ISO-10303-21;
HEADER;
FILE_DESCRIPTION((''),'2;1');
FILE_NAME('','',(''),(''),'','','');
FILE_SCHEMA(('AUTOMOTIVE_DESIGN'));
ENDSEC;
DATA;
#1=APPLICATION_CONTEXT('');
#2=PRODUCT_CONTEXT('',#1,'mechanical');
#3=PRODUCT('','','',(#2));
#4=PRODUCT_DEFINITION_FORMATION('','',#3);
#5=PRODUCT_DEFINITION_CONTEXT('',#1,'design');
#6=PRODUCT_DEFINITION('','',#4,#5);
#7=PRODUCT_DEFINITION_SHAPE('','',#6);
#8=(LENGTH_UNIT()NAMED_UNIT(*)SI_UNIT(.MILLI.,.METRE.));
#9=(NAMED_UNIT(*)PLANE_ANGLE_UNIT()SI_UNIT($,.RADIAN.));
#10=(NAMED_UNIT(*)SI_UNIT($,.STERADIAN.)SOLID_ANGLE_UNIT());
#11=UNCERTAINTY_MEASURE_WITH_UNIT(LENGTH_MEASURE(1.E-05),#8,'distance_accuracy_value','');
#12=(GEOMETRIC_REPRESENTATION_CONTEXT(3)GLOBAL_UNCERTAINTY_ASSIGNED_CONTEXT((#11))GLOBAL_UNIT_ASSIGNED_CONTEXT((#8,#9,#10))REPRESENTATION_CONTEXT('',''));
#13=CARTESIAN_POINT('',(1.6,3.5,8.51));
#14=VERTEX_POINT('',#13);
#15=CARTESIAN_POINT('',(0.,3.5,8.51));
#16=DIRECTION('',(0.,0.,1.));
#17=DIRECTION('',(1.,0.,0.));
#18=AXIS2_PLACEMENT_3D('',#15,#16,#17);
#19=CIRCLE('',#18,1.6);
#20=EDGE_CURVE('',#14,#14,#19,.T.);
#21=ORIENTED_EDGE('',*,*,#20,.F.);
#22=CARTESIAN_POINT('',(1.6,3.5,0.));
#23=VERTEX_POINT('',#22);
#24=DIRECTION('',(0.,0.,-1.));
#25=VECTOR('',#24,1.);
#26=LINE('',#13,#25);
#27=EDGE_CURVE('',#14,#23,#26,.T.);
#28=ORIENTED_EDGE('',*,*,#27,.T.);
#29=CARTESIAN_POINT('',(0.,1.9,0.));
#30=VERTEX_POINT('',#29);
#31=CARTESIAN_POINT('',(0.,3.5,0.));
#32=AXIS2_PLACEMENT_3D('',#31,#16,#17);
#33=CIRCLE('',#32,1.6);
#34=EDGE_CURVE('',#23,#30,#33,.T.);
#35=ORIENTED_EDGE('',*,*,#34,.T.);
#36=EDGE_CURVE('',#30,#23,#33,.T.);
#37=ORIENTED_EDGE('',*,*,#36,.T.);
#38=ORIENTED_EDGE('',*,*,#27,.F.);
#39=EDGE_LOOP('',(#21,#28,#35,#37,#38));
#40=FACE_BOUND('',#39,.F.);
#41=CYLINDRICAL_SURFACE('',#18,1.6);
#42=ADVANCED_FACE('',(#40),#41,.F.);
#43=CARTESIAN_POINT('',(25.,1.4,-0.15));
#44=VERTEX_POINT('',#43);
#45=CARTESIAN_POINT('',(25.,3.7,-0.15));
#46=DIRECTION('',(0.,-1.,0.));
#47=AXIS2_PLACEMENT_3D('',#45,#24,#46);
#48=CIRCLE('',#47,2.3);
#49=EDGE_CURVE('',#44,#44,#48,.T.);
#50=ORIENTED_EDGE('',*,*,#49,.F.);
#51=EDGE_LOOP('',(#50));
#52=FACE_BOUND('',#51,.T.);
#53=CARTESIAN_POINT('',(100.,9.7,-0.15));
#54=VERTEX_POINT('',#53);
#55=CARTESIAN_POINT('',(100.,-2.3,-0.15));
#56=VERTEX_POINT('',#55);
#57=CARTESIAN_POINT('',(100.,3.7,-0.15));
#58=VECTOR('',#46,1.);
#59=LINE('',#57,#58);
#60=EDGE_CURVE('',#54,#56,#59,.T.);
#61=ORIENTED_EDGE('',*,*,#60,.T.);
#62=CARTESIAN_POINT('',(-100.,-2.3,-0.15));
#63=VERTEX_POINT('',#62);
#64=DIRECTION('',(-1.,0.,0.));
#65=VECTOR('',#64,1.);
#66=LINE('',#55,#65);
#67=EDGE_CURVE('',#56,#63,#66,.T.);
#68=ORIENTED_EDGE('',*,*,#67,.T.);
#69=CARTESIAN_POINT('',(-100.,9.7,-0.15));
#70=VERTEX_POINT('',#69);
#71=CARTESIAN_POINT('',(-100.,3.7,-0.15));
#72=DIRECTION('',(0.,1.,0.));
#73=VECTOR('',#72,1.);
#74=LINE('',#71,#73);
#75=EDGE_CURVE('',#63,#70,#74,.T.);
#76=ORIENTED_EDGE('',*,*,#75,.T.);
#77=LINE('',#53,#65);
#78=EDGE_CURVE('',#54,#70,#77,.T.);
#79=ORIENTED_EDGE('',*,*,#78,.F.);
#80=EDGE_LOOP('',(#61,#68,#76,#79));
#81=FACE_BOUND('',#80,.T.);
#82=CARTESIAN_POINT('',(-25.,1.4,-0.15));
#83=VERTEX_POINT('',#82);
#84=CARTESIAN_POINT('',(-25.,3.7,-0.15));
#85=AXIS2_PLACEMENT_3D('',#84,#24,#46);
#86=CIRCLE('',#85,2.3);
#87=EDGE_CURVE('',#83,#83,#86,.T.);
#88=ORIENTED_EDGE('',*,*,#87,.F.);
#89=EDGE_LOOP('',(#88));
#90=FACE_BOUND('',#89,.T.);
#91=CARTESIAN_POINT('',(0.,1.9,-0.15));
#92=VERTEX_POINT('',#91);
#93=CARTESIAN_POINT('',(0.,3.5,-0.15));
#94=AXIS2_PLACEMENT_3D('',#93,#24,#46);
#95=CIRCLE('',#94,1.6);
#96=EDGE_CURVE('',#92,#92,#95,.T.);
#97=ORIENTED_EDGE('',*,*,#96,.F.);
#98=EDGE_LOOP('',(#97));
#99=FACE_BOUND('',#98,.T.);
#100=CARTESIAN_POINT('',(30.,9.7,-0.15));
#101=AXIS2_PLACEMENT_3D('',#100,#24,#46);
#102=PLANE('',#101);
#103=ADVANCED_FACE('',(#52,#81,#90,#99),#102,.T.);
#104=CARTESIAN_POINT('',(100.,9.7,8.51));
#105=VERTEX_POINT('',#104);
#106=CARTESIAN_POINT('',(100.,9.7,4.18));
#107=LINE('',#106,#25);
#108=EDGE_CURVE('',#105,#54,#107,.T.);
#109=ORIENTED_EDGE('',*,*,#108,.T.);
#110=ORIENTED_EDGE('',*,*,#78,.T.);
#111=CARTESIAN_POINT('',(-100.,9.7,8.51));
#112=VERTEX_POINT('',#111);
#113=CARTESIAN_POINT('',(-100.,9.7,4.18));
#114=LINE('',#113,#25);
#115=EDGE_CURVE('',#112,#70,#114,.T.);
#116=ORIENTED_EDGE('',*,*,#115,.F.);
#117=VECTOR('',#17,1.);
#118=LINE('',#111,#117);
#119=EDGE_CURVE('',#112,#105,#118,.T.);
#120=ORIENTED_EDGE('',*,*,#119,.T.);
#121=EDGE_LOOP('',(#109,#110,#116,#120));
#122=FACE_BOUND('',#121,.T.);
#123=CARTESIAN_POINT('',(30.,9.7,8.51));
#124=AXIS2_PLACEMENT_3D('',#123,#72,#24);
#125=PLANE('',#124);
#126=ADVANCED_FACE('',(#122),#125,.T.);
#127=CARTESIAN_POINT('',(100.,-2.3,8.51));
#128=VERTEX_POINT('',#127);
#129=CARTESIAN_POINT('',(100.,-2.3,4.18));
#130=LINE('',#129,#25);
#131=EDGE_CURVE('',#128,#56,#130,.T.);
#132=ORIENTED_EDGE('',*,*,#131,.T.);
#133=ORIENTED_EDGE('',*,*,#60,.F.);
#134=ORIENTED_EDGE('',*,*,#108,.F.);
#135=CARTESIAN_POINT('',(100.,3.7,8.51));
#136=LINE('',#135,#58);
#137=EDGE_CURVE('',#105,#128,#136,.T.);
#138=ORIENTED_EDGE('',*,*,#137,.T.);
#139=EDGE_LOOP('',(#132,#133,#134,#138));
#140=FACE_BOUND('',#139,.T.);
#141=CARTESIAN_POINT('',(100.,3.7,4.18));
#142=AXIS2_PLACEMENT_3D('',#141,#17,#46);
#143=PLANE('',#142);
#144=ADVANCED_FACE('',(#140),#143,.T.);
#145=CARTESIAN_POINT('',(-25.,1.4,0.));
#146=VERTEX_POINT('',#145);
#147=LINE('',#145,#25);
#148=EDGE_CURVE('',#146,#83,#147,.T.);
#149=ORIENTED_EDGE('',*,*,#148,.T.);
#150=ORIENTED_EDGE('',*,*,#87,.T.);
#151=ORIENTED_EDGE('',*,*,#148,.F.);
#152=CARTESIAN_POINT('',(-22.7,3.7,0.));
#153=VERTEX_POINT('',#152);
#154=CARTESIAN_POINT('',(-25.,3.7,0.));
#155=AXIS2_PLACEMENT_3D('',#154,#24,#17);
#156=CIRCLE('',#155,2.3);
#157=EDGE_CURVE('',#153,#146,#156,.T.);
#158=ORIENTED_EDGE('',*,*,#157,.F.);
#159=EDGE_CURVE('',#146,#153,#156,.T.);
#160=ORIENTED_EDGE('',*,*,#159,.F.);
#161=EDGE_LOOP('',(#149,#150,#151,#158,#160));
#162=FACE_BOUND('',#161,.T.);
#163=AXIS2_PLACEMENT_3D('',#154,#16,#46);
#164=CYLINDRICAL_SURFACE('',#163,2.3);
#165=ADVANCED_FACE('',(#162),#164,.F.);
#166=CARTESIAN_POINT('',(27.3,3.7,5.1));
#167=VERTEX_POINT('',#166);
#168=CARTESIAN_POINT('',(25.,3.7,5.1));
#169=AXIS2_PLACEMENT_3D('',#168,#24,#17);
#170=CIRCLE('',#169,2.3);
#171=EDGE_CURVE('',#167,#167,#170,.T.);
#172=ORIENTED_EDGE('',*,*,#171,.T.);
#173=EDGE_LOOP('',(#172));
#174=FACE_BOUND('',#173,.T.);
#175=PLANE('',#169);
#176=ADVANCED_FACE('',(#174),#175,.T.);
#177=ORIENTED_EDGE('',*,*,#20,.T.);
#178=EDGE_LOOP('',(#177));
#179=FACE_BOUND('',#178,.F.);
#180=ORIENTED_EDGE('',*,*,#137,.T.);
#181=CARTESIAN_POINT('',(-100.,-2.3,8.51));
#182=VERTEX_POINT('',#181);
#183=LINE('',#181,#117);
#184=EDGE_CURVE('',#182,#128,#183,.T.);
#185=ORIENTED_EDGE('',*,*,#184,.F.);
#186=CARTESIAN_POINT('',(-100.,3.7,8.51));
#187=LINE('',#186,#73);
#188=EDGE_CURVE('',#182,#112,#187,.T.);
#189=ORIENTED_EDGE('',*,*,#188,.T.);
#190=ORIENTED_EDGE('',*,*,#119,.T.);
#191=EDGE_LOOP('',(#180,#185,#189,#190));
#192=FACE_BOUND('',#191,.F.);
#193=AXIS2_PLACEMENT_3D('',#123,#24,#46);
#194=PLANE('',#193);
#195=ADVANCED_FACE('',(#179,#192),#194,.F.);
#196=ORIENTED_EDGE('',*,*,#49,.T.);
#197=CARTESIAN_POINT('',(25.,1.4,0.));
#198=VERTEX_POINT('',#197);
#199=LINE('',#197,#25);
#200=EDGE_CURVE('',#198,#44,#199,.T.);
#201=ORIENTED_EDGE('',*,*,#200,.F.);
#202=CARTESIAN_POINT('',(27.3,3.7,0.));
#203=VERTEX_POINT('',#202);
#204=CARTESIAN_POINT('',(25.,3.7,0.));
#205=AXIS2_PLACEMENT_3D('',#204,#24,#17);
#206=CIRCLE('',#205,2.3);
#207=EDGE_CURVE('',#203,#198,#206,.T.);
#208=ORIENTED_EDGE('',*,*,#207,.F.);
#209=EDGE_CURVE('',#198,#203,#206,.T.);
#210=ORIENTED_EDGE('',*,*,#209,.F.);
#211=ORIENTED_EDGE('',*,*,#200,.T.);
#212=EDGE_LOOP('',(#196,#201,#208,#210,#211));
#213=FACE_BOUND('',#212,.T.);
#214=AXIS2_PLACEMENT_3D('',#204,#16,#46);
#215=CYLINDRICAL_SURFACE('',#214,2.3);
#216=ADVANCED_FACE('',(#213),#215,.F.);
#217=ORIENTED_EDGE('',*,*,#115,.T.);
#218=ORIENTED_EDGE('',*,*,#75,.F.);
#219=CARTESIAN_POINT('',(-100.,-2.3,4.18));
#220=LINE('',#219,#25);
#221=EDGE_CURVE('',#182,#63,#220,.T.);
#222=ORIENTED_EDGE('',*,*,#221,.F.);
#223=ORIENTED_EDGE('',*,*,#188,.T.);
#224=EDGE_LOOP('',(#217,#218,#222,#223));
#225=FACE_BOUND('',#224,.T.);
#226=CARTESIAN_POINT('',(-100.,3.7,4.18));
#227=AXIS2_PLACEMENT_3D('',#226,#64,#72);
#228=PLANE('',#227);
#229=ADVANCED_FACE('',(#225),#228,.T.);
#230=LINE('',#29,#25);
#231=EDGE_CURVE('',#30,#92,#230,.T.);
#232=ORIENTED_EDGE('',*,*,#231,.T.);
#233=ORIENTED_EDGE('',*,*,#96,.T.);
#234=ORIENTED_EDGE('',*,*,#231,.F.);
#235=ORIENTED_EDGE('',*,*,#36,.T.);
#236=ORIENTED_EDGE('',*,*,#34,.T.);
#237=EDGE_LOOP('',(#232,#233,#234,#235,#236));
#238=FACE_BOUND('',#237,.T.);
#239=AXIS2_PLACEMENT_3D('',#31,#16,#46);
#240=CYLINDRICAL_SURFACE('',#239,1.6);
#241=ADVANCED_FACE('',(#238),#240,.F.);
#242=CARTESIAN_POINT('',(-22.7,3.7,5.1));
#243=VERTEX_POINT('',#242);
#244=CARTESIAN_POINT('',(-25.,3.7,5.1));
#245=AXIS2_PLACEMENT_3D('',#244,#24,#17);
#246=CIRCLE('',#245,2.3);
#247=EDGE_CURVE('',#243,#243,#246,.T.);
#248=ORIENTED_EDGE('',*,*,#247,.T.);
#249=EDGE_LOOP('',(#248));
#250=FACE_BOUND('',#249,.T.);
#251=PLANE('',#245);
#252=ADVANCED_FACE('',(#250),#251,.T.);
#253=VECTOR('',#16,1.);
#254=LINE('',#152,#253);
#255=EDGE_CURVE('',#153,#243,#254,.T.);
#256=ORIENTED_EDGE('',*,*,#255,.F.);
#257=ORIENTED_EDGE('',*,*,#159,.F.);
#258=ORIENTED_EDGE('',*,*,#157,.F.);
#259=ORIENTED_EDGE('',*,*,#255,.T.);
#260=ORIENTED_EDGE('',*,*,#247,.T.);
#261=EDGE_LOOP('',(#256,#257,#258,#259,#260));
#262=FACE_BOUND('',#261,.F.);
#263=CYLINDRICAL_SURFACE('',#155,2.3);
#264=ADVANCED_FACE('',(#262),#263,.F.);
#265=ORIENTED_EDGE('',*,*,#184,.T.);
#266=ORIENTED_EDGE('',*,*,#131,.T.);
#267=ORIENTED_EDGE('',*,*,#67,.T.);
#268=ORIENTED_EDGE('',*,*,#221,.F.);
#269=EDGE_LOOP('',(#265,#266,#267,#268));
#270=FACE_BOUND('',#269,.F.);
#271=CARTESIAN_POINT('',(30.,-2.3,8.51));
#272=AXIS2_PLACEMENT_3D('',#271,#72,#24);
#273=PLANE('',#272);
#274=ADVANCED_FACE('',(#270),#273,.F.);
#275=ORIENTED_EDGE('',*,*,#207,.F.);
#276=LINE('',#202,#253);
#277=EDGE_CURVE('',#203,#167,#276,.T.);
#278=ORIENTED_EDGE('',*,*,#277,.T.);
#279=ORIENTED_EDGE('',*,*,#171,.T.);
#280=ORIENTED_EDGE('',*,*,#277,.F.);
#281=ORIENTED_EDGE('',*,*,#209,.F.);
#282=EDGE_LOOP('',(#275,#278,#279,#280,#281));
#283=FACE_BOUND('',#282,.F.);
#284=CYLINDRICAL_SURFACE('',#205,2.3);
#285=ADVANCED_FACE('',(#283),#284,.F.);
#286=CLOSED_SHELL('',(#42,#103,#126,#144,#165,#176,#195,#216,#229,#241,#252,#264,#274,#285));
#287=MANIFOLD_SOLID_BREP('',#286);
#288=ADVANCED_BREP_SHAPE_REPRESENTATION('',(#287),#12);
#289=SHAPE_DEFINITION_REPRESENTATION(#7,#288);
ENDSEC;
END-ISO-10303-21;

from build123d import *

# Parameters (mm, degrees)
SKETCH_W            = 60
SKETCH_H            = 15
PAD_DEPTH           = 8.51
SKETCH001_R         = 1.6
POCKET_DEPTH        = 8.511
SKETCH002_R         = 2.3
POCKET001_DEPTH     = 5.1
POCKET001_FACE1_W   = 60
POCKET001_FACE1_H   = 8.51
PAD001_DEPTH        = 2.3
PAD001_FACE1_W      = 60
PAD001_FACE1_H      = 8.51
POCKET002_DEPTH     = 5.3
POCKET002_FACE2_W   = 12
POCKET002_FACE2_H   = 60
POCKET002_FACE2_R   = 1.6
POCKET002_FACE2_R_2 = 2.3
PAD002_DEPTH        = 0.15
PAD002_FACE10_W     = 12
PAD002_FACE10_H     = 8.66
PAD003_DEPTH        = 70
PAD003_FACE3_W      = 12
PAD003_FACE3_H      = 8.66
PAD004_DEPTH        = 70


with BuildPart() as part:
    # Sketch → Pad (new body)
    with BuildSketch(Plane.XY):
        with Locations((0, 7.5)):
            Rectangle(SKETCH_W, SKETCH_H)
    extrude(amount=PAD_DEPTH)

    # Sketch001 (on Face6 of Pad) → Pocket (cut, through all)
    with BuildSketch(Plane.XY.offset(8.51)):
        with Locations((0, 3.5)):
            Circle(SKETCH001_R)
    extrude(amount=-POCKET_DEPTH, mode=Mode.SUBTRACT)

    # Sketch002 (on Face4 of Pocket) → Pocket001 (cut)
    with BuildSketch(Plane(origin=(0, 0, 0), x_dir=(1, 0, 0), z_dir=(0, 0, -1))):
        with Locations((-25, -3.7)):
            Circle(SKETCH002_R)
        with Locations((25, -3.7)):
            Circle(SKETCH002_R)
    extrude(amount=-POCKET001_DEPTH, mode=Mode.SUBTRACT)

    # Pocket001 Face1 → Pad001 (add)
    with BuildSketch(Plane(origin=(0, 0, 4.255), x_dir=(-1, 0, 0), z_dir=(0, -1, 0))):
        Rectangle(POCKET001_FACE1_W, POCKET001_FACE1_H)
    extrude(amount=PAD001_DEPTH)

    # Pad001 Face1 → Pocket002 (cut)
    with BuildSketch(Plane(origin=(0, 15, 4.255), x_dir=(1, 0, 0), z_dir=(0, 1, 0))):
        Rectangle(PAD001_FACE1_W, PAD001_FACE1_H)
    extrude(amount=-POCKET002_DEPTH, mode=Mode.SUBTRACT)

    # Pocket002 Face2 → Pad002 (add)
    with BuildSketch(Plane(origin=(0, 3.70237, 0), x_dir=(0, -1, 0), z_dir=(0, 0, -1))):
        with Locations((0.00237, 0)):
            Rectangle(POCKET002_FACE2_W, POCKET002_FACE2_H)
        with Locations((0.20237, 0)):
            Circle(POCKET002_FACE2_R, mode=Mode.SUBTRACT)
        with Locations((0.00237, -25)):
            Circle(POCKET002_FACE2_R_2, mode=Mode.SUBTRACT)
        with Locations((0.00237, 25)):
            Circle(POCKET002_FACE2_R_2, mode=Mode.SUBTRACT)
    extrude(amount=PAD002_DEPTH)

    # Pad002 Face10 → Pad003 (add)
    with BuildSketch(Plane(origin=(-30, 3.7, 4.18), x_dir=(0, 1, 0), z_dir=(-1, 0, 0))):
        Rectangle(PAD002_FACE10_W, PAD002_FACE10_H)
    extrude(amount=PAD003_DEPTH)

    # Pad003 Face3 → Pad004 (add)
    with BuildSketch(Plane(origin=(30, 3.7, 4.18), x_dir=(0, -1, 0), z_dir=(1, 0, 0))):
        Rectangle(PAD003_FACE3_W, PAD003_FACE3_H)
    extrude(amount=PAD004_DEPTH)


solid = part.part
